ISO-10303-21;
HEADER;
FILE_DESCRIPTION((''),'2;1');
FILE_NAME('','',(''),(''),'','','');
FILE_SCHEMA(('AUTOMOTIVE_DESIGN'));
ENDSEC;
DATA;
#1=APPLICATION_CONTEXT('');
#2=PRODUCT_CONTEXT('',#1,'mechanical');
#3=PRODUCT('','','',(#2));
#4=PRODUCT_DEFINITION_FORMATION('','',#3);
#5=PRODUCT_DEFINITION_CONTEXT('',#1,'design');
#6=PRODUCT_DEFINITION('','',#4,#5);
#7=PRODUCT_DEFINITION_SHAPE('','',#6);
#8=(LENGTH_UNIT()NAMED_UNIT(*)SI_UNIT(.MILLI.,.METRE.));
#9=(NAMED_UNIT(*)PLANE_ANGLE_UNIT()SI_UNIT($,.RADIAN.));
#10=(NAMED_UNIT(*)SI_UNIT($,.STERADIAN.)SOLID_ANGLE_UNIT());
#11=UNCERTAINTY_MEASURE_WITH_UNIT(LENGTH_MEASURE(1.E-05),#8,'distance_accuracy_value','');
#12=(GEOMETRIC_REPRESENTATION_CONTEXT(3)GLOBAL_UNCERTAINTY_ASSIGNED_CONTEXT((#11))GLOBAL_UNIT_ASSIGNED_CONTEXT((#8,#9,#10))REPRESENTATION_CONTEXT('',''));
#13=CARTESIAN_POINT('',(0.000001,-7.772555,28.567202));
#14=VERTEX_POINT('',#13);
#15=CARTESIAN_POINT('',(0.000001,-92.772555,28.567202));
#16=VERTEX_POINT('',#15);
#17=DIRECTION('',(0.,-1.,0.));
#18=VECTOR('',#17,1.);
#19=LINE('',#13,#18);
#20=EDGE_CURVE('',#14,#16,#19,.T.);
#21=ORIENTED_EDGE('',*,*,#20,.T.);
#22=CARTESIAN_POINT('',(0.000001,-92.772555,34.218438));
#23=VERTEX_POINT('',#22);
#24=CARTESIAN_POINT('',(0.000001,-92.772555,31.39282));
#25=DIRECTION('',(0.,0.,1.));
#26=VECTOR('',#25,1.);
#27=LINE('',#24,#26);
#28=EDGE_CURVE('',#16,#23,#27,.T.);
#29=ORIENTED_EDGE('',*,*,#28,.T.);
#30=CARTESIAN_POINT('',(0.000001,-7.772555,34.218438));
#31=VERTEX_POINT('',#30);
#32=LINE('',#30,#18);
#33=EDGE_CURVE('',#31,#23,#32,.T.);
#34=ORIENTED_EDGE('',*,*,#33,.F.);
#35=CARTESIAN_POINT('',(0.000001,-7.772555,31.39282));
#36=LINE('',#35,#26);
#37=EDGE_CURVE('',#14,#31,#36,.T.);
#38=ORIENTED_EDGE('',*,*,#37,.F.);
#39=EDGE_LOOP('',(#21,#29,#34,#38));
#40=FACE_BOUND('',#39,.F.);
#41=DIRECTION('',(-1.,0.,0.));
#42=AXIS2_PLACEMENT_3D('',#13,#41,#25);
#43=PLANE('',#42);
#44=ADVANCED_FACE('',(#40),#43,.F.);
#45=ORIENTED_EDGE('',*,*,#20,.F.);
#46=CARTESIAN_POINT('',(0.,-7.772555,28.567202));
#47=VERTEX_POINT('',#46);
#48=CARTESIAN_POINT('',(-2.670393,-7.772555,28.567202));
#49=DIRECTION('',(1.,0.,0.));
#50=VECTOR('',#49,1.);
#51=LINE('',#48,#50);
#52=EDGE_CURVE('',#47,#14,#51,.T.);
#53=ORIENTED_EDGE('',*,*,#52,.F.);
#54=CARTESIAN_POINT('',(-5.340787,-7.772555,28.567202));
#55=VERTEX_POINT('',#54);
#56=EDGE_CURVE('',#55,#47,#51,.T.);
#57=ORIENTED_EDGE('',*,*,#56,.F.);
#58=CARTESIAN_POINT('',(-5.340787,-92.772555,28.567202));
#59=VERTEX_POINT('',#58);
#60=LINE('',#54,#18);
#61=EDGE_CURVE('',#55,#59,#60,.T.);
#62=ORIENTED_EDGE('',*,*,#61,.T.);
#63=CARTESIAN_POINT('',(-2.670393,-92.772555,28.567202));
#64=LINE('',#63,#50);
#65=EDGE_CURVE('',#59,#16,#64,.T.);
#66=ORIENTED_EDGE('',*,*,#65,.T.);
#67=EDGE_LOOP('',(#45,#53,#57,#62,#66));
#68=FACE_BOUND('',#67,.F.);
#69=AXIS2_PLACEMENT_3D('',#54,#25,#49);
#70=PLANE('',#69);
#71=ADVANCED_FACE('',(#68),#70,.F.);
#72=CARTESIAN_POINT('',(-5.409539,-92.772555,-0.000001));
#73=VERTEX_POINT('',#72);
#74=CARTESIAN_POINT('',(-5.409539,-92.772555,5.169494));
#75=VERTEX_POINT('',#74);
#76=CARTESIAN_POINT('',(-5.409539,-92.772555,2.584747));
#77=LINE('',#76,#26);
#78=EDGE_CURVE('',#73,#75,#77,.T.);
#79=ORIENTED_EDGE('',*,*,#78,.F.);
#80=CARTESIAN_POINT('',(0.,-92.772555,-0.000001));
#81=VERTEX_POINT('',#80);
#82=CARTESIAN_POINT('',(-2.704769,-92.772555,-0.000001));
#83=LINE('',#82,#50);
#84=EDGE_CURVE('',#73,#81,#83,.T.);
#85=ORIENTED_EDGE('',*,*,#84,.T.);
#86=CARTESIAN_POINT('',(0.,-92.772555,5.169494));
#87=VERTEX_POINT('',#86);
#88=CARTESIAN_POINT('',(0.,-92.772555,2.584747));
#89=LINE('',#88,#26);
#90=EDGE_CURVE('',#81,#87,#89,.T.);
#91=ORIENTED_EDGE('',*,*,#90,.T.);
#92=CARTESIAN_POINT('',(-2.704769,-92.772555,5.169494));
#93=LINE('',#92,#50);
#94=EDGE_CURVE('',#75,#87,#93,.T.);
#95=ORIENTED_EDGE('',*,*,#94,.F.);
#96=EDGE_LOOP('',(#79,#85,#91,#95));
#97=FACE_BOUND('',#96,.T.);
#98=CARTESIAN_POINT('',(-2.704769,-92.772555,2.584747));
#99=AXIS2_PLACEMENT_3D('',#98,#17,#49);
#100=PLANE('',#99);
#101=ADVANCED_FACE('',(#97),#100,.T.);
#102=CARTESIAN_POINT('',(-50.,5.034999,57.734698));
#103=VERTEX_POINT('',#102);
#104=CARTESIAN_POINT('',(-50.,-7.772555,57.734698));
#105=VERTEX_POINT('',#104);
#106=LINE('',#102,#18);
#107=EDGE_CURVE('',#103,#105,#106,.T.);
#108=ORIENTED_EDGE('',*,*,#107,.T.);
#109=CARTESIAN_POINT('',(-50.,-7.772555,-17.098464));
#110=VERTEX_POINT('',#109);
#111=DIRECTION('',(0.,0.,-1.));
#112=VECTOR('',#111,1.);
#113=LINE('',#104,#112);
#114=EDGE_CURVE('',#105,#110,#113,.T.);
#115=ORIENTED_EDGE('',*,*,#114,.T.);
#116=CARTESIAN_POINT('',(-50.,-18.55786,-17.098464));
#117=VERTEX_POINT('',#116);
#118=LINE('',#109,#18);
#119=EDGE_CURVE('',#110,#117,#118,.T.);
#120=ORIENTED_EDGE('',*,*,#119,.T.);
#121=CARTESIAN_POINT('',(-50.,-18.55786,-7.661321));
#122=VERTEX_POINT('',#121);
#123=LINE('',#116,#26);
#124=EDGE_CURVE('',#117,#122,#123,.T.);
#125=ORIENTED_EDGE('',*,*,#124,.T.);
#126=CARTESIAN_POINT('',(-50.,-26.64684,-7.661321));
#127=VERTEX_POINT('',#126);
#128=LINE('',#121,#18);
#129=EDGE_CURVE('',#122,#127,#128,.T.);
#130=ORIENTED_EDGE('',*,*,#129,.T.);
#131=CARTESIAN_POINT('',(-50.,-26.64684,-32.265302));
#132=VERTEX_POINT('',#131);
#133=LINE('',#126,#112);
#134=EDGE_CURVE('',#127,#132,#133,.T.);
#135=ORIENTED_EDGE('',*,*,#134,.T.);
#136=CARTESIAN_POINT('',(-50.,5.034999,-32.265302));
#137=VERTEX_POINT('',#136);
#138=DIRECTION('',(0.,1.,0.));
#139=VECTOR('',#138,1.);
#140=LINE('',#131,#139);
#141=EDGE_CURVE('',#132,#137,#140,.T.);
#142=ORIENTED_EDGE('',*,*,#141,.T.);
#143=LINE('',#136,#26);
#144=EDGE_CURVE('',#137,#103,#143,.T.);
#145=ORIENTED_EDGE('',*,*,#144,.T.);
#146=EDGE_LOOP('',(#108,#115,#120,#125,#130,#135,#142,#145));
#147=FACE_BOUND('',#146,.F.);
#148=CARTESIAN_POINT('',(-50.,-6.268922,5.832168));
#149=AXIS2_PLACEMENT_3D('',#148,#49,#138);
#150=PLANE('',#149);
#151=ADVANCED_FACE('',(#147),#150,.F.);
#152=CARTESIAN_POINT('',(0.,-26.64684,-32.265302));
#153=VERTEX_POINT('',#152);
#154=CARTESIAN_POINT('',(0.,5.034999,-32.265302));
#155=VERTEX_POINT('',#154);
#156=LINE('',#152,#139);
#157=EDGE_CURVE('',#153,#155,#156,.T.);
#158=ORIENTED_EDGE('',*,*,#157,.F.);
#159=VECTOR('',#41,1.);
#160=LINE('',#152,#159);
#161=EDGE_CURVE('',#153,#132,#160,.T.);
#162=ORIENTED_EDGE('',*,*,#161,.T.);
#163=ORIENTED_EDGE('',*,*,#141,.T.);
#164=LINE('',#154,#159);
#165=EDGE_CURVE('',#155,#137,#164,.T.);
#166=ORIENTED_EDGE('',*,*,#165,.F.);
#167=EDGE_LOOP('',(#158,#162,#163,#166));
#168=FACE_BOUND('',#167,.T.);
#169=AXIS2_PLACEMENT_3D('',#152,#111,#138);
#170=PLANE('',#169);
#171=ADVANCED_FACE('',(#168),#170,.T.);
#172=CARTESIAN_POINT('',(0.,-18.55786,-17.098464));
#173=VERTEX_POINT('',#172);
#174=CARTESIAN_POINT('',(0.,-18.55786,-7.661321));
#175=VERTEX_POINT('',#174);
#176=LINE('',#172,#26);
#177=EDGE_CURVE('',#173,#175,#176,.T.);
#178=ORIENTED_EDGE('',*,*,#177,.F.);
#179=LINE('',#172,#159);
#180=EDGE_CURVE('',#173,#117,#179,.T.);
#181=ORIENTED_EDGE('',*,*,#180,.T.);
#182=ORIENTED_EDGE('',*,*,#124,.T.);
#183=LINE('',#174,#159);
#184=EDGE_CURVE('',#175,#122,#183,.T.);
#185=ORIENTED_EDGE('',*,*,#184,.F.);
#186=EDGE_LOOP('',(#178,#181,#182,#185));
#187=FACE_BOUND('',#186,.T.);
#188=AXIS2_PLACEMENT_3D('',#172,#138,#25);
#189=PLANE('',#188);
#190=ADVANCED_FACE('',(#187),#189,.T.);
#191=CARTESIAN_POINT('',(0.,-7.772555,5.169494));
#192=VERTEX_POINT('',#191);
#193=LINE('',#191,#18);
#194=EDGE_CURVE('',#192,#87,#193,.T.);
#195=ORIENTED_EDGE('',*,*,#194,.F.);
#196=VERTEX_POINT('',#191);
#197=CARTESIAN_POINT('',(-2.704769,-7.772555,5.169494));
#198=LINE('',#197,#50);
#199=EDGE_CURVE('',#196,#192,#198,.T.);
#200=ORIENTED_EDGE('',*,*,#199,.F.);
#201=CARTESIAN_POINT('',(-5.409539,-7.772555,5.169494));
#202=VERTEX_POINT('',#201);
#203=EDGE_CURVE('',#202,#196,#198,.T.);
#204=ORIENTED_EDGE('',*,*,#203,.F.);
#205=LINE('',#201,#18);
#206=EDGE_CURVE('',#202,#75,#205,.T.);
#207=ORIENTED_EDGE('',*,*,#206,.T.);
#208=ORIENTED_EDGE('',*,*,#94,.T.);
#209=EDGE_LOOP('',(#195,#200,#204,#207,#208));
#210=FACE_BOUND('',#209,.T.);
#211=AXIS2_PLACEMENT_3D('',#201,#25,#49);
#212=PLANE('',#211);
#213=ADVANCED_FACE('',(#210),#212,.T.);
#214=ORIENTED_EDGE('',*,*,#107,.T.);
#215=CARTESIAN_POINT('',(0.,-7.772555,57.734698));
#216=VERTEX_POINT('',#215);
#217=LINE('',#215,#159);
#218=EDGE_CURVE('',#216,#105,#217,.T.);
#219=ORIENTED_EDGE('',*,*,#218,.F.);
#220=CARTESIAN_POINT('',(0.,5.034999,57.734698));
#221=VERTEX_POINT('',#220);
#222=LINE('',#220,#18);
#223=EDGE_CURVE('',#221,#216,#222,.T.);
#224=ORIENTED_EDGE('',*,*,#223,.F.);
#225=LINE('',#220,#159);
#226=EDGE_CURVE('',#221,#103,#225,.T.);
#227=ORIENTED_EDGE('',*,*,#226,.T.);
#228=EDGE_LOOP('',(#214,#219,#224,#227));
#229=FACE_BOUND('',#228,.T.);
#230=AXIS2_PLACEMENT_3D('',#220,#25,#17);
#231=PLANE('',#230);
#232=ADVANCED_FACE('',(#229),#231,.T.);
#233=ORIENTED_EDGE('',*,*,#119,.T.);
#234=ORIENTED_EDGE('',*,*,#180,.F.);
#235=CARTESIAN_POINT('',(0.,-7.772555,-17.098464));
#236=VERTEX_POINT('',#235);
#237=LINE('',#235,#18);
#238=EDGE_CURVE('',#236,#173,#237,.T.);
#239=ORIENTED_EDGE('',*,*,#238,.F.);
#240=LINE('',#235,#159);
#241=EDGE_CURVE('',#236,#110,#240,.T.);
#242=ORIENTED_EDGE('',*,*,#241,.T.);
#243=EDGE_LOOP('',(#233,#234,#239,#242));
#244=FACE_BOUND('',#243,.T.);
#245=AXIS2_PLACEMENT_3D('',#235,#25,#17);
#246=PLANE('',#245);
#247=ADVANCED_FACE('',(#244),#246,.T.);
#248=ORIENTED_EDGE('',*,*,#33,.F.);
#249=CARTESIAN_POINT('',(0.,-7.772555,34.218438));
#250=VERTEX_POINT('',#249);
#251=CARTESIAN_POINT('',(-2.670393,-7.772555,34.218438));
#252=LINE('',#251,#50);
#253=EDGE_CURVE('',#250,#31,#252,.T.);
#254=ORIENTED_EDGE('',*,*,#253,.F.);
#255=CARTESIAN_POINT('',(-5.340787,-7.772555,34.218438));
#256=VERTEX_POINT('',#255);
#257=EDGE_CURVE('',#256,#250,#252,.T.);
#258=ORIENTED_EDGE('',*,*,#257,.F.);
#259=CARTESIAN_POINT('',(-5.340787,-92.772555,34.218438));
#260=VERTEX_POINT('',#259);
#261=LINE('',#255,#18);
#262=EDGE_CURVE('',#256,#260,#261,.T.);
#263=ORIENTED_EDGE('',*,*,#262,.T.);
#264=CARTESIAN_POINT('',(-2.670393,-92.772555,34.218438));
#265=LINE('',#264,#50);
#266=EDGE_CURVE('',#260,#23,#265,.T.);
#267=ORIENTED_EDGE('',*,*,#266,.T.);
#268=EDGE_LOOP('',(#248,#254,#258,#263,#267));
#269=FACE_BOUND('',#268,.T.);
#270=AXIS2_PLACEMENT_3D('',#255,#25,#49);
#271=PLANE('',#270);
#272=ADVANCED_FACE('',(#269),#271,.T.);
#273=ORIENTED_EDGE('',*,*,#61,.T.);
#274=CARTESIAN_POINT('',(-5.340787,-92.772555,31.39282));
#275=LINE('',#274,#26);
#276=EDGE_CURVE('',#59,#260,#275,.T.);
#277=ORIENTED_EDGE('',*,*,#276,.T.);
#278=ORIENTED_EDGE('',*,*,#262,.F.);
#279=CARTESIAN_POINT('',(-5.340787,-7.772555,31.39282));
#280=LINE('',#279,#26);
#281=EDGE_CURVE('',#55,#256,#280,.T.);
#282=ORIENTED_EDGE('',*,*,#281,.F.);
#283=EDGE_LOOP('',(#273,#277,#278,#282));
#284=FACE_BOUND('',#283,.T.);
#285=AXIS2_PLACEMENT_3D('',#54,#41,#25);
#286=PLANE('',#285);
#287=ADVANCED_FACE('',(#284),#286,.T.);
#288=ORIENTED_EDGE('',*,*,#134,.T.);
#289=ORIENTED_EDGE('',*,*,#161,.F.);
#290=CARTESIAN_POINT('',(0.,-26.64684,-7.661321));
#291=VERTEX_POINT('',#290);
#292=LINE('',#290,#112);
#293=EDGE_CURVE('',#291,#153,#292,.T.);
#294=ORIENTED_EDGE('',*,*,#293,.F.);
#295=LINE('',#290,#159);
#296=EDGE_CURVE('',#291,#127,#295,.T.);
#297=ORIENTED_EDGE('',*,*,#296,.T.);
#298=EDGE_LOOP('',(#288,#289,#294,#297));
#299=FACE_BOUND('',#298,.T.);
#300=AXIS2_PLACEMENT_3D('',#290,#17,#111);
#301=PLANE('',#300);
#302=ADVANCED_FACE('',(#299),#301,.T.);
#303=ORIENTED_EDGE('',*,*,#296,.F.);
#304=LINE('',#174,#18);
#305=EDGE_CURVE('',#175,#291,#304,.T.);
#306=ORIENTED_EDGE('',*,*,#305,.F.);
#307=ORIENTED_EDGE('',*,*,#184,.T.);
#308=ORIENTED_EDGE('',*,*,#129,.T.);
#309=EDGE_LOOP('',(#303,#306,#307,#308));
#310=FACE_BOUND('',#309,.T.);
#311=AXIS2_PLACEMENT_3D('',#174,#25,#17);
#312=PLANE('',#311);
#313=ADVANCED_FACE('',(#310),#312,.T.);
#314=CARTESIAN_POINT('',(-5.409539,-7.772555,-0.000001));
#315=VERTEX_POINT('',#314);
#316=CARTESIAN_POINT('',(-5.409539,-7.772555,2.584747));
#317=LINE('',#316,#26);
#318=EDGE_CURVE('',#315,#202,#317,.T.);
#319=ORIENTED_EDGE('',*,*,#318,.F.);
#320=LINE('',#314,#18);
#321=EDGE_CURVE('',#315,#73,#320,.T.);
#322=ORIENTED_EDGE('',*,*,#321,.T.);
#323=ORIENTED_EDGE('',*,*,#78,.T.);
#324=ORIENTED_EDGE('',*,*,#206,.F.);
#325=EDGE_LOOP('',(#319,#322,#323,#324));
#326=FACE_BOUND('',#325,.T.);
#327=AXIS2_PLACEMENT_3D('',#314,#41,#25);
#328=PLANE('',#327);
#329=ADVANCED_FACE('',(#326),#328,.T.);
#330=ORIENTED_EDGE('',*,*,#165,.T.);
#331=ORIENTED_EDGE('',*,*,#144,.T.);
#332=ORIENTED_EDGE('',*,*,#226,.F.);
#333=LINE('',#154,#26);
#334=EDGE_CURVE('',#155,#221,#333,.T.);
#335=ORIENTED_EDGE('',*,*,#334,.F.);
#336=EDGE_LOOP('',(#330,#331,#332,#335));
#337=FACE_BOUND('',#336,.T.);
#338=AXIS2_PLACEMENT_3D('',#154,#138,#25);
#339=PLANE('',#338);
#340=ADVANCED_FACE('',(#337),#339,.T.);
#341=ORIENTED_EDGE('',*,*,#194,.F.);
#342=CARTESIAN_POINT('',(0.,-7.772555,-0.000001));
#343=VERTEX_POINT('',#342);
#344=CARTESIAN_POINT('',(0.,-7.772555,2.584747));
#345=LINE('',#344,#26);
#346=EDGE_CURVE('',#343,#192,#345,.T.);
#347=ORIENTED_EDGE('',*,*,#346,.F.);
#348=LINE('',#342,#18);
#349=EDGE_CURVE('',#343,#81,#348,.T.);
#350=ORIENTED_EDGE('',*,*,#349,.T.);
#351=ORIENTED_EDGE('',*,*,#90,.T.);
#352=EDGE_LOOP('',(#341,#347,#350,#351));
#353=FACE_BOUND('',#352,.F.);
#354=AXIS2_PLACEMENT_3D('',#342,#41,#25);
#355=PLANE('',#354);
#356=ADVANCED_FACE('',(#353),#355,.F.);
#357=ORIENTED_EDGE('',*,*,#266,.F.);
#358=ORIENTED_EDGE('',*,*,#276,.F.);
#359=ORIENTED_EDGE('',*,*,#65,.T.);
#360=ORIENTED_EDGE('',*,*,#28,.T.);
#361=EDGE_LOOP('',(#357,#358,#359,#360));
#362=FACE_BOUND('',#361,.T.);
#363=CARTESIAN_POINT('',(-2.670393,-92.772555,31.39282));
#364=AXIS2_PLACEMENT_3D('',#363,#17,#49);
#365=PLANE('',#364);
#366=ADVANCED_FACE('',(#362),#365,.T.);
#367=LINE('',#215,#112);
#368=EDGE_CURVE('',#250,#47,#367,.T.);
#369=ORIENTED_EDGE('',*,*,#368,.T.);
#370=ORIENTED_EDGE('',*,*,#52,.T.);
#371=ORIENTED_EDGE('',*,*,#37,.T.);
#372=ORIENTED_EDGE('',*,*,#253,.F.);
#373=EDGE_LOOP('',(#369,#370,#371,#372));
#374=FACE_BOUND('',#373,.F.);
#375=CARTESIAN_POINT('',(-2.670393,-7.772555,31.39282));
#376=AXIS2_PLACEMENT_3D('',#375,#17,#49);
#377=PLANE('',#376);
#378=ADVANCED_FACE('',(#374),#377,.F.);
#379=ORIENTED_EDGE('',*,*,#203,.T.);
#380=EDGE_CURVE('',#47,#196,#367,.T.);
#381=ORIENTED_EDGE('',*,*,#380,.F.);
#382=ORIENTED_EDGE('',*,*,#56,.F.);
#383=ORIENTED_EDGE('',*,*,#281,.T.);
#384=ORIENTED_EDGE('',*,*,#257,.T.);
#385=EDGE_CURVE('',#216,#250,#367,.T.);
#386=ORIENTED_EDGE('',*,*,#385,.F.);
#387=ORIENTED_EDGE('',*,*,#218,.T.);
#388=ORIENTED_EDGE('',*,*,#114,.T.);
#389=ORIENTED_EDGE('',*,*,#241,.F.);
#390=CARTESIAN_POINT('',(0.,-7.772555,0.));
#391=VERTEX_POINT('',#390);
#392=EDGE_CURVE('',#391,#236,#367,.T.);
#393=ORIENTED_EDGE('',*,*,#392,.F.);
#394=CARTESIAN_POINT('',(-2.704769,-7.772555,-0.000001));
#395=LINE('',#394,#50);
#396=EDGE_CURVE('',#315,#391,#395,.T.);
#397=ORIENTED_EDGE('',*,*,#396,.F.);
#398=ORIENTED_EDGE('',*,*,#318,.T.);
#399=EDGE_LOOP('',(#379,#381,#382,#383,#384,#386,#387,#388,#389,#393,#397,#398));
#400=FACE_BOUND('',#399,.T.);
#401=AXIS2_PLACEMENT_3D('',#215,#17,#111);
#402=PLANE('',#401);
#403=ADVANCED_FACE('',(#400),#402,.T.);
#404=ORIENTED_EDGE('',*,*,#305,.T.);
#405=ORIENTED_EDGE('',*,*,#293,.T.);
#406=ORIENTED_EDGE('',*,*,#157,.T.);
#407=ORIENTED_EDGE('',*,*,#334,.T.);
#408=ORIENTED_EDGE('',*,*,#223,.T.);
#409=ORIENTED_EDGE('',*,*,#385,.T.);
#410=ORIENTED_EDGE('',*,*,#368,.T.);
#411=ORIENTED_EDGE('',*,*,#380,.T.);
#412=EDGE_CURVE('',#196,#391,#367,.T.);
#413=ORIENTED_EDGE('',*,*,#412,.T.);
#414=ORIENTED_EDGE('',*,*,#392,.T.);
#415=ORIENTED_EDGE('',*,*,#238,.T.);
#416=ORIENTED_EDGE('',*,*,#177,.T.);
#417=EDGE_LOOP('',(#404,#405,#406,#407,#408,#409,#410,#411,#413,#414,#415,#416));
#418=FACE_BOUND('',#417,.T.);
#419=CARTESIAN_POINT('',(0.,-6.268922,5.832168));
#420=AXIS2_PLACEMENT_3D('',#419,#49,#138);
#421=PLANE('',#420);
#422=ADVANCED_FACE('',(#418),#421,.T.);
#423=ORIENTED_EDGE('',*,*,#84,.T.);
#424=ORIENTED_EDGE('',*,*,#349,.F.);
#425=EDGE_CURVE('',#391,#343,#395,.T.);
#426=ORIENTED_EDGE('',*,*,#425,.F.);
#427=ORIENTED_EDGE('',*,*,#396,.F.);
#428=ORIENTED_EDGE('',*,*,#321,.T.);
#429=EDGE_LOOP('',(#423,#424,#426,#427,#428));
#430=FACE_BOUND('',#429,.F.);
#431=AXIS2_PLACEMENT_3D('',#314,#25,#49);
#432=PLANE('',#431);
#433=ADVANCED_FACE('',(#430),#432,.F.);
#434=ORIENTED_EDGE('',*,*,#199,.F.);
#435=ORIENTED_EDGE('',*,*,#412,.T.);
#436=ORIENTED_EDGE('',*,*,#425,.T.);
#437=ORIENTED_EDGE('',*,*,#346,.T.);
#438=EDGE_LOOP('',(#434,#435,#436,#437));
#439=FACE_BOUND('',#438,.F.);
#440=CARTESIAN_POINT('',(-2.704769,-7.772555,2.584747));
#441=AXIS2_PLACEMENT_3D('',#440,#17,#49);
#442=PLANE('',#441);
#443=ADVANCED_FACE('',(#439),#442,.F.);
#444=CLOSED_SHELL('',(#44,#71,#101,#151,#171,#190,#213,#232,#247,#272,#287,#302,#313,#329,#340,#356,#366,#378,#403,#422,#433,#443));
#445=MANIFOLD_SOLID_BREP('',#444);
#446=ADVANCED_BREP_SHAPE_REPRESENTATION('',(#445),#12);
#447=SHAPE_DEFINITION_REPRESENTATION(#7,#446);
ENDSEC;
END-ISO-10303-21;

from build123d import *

# Parameters (mm, degrees)
F1_DEPTH = 50
F2_W     = 5.340787
F2_H     = 5.651236
F2_W_2   = 5.409539
F2_H_2   = 5.169495
F3_DEPTH = 85


with BuildPart() as f1:
    # F0 (on Right) → F1 (new body)
    with BuildSketch(Plane.YZ):
        Polygon((5.034999, -32.265302), (5.034999, 57.734698), (-7.772555, 57.734698), (-7.772555, -17.098464), (-18.55786, -17.098464), (-18.55786, -7.661321), (-26.64684, -7.661321), (-26.64684, -32.265302), align=None)
    extrude(amount=-F1_DEPTH)

    # F2 (on face) → F3 (join)
    with BuildSketch(Plane.XZ.offset(7.772555)):
        with Locations((-2.670393, 31.39282)):
            Rectangle(F2_W, F2_H)
        with Locations((-2.704769, 2.584747)):
            Rectangle(F2_W_2, F2_H_2)
    extrude(amount=F3_DEPTH)


solid = f1.part
